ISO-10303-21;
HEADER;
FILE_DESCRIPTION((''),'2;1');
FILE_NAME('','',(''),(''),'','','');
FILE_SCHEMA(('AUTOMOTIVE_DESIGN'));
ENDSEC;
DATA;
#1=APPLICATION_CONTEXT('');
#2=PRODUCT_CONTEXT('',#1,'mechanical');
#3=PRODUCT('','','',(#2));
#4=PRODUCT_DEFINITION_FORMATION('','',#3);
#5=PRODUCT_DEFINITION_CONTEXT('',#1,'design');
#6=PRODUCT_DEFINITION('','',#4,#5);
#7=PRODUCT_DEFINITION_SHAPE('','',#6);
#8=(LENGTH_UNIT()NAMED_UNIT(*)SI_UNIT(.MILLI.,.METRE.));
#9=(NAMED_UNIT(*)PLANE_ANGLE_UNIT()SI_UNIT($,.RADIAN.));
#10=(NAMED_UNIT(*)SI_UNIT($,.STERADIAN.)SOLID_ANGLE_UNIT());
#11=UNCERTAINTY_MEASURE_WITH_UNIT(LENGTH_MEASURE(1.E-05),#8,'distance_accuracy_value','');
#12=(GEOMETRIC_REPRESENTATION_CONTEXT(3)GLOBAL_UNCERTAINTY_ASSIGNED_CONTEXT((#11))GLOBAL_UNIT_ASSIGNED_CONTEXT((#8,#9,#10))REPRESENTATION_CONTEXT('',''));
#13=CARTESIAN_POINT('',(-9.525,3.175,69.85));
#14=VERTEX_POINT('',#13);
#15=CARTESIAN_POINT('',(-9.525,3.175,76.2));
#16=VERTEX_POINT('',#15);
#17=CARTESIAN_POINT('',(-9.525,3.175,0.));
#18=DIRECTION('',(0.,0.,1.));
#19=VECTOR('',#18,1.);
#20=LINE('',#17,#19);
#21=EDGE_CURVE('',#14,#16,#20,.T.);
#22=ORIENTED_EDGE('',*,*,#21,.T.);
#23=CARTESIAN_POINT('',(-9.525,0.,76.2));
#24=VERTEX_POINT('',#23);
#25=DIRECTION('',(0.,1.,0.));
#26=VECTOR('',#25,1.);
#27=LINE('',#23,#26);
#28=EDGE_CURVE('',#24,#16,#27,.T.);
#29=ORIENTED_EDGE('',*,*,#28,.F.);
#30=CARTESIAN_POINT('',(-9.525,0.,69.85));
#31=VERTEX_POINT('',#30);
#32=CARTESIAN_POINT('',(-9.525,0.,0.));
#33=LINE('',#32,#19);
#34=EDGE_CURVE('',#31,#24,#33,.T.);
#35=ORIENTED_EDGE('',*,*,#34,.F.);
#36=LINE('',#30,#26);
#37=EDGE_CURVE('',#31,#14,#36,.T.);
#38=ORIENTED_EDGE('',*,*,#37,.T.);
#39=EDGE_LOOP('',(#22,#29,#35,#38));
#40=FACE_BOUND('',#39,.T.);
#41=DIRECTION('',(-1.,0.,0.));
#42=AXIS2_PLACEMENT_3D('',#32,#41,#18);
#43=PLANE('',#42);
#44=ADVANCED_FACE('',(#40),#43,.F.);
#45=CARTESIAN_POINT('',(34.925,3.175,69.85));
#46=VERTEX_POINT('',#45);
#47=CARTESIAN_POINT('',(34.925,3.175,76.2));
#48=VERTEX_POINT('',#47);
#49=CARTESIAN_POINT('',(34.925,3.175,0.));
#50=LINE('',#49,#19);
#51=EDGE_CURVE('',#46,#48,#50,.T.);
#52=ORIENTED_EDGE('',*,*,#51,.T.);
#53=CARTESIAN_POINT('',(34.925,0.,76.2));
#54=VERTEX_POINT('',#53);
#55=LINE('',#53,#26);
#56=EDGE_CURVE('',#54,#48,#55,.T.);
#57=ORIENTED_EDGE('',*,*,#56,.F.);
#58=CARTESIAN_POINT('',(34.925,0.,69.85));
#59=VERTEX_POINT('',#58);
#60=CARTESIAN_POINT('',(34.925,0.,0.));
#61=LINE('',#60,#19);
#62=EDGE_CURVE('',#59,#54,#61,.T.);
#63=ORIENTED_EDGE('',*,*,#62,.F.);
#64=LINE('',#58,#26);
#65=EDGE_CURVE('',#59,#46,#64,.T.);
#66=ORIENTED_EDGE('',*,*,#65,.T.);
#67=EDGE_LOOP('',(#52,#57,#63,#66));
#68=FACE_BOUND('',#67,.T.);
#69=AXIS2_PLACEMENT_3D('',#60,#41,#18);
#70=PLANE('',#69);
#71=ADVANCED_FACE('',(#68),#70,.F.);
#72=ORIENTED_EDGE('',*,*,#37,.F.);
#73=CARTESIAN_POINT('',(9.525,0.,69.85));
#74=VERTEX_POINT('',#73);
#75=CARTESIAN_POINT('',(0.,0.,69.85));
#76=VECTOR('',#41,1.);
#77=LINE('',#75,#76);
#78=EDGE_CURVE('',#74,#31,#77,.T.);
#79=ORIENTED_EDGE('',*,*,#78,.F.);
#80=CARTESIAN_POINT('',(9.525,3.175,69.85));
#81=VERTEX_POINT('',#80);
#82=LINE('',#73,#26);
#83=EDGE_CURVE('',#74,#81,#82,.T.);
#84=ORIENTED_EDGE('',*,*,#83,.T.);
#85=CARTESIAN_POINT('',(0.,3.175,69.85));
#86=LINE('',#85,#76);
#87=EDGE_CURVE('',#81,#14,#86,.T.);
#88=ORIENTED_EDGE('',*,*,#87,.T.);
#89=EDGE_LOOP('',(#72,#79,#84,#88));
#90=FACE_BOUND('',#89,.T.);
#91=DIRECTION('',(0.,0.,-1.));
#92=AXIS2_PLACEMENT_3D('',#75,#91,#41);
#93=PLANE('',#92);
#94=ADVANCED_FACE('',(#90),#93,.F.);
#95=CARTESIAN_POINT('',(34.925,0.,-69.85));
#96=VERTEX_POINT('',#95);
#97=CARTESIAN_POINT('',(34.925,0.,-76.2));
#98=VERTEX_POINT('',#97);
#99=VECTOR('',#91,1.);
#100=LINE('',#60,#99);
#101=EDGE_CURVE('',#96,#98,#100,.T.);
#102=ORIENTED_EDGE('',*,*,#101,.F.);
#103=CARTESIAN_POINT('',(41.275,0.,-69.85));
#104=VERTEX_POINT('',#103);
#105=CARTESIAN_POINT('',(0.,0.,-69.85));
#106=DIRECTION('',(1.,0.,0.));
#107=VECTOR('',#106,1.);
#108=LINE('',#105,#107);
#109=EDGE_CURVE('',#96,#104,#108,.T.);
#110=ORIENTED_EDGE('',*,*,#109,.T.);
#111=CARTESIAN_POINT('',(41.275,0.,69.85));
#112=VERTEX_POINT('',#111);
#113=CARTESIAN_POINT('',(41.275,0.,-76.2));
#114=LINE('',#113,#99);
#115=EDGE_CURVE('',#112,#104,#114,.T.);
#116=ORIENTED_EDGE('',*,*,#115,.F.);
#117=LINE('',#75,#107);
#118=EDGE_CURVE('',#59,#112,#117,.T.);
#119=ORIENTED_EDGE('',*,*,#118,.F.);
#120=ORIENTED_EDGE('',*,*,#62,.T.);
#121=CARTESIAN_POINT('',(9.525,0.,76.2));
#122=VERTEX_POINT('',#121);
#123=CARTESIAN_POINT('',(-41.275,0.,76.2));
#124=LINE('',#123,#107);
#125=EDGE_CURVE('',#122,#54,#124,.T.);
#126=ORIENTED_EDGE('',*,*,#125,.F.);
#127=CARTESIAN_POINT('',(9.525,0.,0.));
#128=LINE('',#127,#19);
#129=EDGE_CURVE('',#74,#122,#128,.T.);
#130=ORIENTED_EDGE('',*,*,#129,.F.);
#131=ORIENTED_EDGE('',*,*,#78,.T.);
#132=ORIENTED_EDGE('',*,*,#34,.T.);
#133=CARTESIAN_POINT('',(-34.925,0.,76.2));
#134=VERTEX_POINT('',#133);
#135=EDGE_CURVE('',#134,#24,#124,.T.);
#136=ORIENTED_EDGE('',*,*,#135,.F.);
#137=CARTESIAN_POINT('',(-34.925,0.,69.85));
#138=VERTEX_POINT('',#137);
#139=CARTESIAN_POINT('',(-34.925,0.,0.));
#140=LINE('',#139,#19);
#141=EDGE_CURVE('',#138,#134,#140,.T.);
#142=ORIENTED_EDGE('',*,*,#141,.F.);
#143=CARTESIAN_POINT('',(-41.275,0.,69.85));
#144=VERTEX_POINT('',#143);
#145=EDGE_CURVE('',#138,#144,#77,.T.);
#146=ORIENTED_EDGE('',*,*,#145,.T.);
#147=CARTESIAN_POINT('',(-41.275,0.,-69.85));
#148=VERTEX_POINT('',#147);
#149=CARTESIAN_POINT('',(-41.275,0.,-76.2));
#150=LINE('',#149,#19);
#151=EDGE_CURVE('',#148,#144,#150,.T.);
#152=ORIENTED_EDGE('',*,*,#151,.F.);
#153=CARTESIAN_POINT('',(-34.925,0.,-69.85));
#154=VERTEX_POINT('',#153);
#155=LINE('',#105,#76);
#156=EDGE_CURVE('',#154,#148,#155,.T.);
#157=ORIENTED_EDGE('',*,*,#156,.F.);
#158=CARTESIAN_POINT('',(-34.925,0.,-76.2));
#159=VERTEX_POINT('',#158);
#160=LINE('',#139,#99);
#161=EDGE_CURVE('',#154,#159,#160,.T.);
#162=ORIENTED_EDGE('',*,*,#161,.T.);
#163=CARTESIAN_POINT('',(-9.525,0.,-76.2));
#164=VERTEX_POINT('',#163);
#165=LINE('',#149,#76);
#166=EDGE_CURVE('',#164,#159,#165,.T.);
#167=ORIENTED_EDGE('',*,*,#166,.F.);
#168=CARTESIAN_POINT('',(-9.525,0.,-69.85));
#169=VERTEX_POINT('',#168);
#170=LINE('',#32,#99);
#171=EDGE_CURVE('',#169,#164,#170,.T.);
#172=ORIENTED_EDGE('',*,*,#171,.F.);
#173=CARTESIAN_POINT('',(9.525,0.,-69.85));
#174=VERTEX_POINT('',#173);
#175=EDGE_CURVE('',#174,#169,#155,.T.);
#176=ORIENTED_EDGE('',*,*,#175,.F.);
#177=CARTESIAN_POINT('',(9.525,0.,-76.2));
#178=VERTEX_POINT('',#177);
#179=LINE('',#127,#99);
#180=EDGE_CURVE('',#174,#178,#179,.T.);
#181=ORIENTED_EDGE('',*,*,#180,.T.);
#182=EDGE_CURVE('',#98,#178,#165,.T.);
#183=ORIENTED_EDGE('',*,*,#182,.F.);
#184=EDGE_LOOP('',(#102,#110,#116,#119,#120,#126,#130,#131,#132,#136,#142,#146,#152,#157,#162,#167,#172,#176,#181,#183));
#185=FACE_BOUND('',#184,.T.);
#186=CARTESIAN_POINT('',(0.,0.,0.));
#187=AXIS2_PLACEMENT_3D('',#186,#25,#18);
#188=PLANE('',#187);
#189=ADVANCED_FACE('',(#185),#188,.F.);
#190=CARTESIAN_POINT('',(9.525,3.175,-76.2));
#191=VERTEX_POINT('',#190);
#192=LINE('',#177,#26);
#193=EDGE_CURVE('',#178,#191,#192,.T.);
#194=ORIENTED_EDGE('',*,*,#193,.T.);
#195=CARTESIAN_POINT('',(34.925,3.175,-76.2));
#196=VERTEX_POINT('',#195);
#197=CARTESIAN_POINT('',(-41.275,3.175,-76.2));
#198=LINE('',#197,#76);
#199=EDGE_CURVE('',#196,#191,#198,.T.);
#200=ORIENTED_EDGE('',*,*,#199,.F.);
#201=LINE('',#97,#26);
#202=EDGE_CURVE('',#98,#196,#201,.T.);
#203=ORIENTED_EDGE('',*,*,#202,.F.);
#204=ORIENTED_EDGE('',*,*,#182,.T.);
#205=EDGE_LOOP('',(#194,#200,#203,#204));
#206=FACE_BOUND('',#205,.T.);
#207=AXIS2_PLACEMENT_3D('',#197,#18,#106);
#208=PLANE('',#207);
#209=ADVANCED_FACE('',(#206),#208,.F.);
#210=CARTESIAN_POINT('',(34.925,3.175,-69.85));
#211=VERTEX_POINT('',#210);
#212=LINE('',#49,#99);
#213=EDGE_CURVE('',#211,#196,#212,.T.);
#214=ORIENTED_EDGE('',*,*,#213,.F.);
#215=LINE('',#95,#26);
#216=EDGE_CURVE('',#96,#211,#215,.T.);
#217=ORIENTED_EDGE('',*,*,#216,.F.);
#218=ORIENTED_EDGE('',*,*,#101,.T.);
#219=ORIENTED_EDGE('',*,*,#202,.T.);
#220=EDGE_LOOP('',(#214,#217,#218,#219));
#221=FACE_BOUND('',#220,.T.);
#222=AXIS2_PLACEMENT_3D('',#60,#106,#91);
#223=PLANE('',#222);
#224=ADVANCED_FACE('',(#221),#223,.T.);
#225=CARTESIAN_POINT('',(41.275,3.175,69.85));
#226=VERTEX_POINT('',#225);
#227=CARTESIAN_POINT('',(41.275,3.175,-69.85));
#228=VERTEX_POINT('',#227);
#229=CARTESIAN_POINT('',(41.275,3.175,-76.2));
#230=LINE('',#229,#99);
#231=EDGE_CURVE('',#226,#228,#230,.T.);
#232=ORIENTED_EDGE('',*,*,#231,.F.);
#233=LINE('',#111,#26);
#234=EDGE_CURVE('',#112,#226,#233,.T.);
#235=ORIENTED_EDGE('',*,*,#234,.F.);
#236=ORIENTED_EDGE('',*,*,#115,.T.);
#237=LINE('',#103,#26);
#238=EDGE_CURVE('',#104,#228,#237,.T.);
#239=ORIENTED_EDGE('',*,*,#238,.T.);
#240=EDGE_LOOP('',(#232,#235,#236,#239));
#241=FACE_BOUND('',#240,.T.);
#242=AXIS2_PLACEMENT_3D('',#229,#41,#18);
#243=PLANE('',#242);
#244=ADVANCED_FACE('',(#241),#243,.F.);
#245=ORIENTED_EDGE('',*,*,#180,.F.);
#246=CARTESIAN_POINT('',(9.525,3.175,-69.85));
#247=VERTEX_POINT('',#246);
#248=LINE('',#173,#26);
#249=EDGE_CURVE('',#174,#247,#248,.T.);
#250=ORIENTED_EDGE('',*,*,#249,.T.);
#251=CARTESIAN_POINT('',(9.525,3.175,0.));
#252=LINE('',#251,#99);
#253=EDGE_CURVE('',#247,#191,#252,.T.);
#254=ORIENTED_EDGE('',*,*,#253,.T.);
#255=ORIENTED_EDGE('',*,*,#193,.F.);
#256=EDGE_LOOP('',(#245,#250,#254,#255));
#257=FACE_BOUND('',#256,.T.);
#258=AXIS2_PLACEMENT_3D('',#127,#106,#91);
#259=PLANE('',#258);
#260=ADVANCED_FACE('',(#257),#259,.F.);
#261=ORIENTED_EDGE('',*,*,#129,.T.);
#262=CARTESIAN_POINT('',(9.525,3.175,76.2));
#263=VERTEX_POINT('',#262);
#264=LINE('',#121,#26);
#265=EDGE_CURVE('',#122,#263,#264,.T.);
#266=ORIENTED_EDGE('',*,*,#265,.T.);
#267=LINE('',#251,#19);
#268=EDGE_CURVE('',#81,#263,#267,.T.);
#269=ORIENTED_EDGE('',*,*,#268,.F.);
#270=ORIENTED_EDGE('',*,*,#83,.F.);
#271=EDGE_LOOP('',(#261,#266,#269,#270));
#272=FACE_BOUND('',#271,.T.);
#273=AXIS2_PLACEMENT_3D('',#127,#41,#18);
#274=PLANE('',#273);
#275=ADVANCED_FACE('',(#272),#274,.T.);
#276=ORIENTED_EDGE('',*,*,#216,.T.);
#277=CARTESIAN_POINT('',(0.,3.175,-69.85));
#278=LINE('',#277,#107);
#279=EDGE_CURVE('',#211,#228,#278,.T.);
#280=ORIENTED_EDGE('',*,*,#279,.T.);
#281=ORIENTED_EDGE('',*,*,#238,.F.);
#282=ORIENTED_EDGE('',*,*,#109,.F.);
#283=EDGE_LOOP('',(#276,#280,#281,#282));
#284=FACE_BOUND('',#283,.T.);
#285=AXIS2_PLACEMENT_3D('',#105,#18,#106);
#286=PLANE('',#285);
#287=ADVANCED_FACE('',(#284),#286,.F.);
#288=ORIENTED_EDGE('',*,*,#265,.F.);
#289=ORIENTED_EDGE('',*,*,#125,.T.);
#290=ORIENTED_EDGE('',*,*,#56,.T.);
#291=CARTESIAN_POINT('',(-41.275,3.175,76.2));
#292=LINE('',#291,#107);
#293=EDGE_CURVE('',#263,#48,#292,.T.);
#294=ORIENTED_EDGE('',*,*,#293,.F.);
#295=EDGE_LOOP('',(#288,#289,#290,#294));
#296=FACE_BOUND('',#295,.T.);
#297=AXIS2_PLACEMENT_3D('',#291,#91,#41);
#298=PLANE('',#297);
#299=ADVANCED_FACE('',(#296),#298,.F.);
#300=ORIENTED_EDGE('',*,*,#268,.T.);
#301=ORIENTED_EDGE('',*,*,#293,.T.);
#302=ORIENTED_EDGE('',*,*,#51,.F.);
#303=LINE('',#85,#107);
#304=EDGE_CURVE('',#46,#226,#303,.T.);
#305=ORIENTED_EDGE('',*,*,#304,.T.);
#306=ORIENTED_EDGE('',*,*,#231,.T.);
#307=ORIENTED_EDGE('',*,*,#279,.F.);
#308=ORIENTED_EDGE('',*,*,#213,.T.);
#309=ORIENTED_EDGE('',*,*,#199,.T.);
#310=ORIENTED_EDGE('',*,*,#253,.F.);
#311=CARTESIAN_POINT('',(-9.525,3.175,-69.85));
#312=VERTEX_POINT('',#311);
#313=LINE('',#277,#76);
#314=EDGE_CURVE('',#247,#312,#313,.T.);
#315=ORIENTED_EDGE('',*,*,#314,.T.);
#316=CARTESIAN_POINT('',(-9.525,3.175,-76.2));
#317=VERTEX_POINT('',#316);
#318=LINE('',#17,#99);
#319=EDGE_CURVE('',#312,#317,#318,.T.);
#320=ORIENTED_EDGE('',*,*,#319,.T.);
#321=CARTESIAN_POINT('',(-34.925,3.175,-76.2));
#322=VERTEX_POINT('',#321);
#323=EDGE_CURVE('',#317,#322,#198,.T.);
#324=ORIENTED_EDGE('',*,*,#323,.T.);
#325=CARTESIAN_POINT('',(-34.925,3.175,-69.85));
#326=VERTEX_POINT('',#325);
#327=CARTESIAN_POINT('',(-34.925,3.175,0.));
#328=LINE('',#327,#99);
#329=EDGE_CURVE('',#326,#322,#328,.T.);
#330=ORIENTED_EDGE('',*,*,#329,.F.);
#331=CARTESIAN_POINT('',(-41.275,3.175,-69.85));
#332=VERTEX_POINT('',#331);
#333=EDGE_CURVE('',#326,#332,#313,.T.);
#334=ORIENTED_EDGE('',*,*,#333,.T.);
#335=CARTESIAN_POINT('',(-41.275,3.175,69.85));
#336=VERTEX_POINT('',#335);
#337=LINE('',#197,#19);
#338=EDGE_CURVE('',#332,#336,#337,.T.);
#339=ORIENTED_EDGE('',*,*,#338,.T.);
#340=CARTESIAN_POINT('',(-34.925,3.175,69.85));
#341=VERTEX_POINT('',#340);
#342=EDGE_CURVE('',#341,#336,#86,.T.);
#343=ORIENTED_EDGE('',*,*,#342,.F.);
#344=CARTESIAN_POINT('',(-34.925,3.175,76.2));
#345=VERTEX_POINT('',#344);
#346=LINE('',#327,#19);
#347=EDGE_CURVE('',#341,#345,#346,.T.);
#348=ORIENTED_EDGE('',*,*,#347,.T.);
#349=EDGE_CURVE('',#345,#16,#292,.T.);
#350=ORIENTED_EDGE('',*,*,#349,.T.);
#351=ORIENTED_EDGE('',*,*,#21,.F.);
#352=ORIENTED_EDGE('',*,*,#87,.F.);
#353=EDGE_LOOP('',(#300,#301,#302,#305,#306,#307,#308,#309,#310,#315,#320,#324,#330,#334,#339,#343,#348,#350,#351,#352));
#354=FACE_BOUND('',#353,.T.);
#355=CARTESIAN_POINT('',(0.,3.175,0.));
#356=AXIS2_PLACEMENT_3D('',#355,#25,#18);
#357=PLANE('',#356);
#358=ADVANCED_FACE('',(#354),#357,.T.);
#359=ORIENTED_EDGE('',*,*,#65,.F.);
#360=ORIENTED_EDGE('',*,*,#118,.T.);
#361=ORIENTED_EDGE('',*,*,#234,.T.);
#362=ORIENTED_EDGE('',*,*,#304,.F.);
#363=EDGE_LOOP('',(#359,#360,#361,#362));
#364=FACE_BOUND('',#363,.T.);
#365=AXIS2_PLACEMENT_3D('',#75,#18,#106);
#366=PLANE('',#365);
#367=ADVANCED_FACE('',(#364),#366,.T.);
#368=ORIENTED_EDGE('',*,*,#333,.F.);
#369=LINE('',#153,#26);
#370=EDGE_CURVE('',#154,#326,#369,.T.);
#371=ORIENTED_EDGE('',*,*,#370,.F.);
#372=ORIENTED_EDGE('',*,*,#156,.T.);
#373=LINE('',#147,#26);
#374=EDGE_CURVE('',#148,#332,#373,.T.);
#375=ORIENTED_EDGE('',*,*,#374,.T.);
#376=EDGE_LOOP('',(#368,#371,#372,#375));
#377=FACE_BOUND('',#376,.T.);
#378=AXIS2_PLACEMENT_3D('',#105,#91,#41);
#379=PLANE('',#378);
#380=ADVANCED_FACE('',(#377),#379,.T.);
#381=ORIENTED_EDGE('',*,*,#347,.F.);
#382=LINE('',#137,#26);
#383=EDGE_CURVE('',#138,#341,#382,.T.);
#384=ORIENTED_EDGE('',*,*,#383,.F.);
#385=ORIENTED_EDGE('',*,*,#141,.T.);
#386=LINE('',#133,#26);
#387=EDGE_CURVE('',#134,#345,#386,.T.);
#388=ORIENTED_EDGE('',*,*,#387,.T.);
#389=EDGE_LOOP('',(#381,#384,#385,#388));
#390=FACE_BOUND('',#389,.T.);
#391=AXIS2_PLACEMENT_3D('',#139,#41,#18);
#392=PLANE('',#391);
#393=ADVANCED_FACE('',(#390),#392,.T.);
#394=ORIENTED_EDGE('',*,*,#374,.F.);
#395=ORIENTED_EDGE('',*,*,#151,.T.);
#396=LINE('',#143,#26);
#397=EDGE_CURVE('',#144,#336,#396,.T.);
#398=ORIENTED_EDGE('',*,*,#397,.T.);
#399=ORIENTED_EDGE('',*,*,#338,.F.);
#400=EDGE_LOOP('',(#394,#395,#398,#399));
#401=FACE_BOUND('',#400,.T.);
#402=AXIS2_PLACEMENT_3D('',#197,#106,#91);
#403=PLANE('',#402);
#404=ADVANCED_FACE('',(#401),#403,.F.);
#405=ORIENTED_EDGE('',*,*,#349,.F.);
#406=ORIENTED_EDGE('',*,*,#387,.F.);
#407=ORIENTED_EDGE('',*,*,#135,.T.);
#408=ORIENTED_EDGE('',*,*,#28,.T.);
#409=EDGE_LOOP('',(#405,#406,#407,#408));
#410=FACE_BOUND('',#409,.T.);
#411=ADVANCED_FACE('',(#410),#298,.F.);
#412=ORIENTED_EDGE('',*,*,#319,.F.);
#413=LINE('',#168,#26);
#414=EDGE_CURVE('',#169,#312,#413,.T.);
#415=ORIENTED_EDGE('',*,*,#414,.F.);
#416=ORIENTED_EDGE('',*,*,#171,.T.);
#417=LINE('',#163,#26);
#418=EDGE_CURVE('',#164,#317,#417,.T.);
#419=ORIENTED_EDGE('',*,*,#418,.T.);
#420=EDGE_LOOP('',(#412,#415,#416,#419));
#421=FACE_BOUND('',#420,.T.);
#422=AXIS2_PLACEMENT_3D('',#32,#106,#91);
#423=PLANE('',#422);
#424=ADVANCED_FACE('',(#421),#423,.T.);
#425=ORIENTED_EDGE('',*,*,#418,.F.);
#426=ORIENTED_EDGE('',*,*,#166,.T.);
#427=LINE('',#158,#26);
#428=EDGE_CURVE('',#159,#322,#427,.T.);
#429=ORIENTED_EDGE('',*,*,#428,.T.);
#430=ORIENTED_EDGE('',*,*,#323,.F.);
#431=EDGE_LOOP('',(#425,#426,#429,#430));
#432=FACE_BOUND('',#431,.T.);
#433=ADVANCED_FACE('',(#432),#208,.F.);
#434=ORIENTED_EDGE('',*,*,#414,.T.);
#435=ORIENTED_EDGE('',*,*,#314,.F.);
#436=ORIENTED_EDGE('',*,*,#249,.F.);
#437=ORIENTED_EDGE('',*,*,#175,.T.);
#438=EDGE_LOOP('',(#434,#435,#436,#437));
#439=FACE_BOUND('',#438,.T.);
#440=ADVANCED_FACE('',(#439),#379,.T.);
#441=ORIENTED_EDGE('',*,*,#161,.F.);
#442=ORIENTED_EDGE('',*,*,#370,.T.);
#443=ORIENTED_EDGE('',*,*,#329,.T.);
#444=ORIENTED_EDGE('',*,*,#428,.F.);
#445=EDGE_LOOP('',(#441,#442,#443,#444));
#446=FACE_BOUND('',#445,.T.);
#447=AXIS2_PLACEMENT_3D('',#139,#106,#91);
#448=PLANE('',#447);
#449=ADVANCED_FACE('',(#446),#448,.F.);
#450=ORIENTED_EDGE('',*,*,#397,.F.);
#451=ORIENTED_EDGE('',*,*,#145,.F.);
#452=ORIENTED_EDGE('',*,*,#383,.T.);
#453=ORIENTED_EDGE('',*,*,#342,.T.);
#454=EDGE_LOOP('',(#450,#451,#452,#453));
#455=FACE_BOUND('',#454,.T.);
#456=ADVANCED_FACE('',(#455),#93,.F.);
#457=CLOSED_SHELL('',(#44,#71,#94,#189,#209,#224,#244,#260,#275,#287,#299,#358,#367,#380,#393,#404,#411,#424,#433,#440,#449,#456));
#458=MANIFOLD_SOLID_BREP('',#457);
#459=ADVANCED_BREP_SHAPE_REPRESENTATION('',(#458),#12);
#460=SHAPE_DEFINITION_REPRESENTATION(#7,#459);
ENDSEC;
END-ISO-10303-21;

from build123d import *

# Parameters (mm, degrees)
SKETCH1_W           = 82.55
SKETCH1_H           = 152.4
BOSS_EXTRUDE1_DEPTH = 3.175
SKETCH2_W           = 6.35
SKETCH2_H           = 6.35
SKETCH2_W_2         = 9.525
CUT_EXTRUDE1_DEPTH  = 4.175


with BuildPart() as part:
    # Sketch1 → Boss-Extrude1 (new body)
    with BuildSketch(Plane(origin=(0, 0, 0), x_dir=(1, 0, 0), z_dir=(0, 1, 0))):
        Rectangle(SKETCH1_W, SKETCH1_H)
    extrude(amount=BOSS_EXTRUDE1_DEPTH)

    # Sketch2 → Cut-Extrude1 (cut, through all)
    with BuildSketch(Plane(origin=(0, 3.175, 0), x_dir=(1, 0, 0), z_dir=(0, 1, 0))):
        with Locations((-38.1, -73.025)):
            Rectangle(SKETCH2_W, SKETCH2_H)
        with Locations((-4.7625, -73.025)):
            Rectangle(SKETCH2_W_2, SKETCH2_H)
        with Locations((4.7625, -73.025)):
            Rectangle(SKETCH2_W_2, SKETCH2_H)
        with Locations((38.1, -73.025)):
            Rectangle(SKETCH2_W, SKETCH2_H)
    cut_extrude1 = extrude(amount=-CUT_EXTRUDE1_DEPTH, mode=Mode.SUBTRACT)

    # Mirror1: Cut-Extrude1 across plane
    add(cut_extrude1.mirror(Plane.XY), mode=Mode.SUBTRACT)


solid = part.part
